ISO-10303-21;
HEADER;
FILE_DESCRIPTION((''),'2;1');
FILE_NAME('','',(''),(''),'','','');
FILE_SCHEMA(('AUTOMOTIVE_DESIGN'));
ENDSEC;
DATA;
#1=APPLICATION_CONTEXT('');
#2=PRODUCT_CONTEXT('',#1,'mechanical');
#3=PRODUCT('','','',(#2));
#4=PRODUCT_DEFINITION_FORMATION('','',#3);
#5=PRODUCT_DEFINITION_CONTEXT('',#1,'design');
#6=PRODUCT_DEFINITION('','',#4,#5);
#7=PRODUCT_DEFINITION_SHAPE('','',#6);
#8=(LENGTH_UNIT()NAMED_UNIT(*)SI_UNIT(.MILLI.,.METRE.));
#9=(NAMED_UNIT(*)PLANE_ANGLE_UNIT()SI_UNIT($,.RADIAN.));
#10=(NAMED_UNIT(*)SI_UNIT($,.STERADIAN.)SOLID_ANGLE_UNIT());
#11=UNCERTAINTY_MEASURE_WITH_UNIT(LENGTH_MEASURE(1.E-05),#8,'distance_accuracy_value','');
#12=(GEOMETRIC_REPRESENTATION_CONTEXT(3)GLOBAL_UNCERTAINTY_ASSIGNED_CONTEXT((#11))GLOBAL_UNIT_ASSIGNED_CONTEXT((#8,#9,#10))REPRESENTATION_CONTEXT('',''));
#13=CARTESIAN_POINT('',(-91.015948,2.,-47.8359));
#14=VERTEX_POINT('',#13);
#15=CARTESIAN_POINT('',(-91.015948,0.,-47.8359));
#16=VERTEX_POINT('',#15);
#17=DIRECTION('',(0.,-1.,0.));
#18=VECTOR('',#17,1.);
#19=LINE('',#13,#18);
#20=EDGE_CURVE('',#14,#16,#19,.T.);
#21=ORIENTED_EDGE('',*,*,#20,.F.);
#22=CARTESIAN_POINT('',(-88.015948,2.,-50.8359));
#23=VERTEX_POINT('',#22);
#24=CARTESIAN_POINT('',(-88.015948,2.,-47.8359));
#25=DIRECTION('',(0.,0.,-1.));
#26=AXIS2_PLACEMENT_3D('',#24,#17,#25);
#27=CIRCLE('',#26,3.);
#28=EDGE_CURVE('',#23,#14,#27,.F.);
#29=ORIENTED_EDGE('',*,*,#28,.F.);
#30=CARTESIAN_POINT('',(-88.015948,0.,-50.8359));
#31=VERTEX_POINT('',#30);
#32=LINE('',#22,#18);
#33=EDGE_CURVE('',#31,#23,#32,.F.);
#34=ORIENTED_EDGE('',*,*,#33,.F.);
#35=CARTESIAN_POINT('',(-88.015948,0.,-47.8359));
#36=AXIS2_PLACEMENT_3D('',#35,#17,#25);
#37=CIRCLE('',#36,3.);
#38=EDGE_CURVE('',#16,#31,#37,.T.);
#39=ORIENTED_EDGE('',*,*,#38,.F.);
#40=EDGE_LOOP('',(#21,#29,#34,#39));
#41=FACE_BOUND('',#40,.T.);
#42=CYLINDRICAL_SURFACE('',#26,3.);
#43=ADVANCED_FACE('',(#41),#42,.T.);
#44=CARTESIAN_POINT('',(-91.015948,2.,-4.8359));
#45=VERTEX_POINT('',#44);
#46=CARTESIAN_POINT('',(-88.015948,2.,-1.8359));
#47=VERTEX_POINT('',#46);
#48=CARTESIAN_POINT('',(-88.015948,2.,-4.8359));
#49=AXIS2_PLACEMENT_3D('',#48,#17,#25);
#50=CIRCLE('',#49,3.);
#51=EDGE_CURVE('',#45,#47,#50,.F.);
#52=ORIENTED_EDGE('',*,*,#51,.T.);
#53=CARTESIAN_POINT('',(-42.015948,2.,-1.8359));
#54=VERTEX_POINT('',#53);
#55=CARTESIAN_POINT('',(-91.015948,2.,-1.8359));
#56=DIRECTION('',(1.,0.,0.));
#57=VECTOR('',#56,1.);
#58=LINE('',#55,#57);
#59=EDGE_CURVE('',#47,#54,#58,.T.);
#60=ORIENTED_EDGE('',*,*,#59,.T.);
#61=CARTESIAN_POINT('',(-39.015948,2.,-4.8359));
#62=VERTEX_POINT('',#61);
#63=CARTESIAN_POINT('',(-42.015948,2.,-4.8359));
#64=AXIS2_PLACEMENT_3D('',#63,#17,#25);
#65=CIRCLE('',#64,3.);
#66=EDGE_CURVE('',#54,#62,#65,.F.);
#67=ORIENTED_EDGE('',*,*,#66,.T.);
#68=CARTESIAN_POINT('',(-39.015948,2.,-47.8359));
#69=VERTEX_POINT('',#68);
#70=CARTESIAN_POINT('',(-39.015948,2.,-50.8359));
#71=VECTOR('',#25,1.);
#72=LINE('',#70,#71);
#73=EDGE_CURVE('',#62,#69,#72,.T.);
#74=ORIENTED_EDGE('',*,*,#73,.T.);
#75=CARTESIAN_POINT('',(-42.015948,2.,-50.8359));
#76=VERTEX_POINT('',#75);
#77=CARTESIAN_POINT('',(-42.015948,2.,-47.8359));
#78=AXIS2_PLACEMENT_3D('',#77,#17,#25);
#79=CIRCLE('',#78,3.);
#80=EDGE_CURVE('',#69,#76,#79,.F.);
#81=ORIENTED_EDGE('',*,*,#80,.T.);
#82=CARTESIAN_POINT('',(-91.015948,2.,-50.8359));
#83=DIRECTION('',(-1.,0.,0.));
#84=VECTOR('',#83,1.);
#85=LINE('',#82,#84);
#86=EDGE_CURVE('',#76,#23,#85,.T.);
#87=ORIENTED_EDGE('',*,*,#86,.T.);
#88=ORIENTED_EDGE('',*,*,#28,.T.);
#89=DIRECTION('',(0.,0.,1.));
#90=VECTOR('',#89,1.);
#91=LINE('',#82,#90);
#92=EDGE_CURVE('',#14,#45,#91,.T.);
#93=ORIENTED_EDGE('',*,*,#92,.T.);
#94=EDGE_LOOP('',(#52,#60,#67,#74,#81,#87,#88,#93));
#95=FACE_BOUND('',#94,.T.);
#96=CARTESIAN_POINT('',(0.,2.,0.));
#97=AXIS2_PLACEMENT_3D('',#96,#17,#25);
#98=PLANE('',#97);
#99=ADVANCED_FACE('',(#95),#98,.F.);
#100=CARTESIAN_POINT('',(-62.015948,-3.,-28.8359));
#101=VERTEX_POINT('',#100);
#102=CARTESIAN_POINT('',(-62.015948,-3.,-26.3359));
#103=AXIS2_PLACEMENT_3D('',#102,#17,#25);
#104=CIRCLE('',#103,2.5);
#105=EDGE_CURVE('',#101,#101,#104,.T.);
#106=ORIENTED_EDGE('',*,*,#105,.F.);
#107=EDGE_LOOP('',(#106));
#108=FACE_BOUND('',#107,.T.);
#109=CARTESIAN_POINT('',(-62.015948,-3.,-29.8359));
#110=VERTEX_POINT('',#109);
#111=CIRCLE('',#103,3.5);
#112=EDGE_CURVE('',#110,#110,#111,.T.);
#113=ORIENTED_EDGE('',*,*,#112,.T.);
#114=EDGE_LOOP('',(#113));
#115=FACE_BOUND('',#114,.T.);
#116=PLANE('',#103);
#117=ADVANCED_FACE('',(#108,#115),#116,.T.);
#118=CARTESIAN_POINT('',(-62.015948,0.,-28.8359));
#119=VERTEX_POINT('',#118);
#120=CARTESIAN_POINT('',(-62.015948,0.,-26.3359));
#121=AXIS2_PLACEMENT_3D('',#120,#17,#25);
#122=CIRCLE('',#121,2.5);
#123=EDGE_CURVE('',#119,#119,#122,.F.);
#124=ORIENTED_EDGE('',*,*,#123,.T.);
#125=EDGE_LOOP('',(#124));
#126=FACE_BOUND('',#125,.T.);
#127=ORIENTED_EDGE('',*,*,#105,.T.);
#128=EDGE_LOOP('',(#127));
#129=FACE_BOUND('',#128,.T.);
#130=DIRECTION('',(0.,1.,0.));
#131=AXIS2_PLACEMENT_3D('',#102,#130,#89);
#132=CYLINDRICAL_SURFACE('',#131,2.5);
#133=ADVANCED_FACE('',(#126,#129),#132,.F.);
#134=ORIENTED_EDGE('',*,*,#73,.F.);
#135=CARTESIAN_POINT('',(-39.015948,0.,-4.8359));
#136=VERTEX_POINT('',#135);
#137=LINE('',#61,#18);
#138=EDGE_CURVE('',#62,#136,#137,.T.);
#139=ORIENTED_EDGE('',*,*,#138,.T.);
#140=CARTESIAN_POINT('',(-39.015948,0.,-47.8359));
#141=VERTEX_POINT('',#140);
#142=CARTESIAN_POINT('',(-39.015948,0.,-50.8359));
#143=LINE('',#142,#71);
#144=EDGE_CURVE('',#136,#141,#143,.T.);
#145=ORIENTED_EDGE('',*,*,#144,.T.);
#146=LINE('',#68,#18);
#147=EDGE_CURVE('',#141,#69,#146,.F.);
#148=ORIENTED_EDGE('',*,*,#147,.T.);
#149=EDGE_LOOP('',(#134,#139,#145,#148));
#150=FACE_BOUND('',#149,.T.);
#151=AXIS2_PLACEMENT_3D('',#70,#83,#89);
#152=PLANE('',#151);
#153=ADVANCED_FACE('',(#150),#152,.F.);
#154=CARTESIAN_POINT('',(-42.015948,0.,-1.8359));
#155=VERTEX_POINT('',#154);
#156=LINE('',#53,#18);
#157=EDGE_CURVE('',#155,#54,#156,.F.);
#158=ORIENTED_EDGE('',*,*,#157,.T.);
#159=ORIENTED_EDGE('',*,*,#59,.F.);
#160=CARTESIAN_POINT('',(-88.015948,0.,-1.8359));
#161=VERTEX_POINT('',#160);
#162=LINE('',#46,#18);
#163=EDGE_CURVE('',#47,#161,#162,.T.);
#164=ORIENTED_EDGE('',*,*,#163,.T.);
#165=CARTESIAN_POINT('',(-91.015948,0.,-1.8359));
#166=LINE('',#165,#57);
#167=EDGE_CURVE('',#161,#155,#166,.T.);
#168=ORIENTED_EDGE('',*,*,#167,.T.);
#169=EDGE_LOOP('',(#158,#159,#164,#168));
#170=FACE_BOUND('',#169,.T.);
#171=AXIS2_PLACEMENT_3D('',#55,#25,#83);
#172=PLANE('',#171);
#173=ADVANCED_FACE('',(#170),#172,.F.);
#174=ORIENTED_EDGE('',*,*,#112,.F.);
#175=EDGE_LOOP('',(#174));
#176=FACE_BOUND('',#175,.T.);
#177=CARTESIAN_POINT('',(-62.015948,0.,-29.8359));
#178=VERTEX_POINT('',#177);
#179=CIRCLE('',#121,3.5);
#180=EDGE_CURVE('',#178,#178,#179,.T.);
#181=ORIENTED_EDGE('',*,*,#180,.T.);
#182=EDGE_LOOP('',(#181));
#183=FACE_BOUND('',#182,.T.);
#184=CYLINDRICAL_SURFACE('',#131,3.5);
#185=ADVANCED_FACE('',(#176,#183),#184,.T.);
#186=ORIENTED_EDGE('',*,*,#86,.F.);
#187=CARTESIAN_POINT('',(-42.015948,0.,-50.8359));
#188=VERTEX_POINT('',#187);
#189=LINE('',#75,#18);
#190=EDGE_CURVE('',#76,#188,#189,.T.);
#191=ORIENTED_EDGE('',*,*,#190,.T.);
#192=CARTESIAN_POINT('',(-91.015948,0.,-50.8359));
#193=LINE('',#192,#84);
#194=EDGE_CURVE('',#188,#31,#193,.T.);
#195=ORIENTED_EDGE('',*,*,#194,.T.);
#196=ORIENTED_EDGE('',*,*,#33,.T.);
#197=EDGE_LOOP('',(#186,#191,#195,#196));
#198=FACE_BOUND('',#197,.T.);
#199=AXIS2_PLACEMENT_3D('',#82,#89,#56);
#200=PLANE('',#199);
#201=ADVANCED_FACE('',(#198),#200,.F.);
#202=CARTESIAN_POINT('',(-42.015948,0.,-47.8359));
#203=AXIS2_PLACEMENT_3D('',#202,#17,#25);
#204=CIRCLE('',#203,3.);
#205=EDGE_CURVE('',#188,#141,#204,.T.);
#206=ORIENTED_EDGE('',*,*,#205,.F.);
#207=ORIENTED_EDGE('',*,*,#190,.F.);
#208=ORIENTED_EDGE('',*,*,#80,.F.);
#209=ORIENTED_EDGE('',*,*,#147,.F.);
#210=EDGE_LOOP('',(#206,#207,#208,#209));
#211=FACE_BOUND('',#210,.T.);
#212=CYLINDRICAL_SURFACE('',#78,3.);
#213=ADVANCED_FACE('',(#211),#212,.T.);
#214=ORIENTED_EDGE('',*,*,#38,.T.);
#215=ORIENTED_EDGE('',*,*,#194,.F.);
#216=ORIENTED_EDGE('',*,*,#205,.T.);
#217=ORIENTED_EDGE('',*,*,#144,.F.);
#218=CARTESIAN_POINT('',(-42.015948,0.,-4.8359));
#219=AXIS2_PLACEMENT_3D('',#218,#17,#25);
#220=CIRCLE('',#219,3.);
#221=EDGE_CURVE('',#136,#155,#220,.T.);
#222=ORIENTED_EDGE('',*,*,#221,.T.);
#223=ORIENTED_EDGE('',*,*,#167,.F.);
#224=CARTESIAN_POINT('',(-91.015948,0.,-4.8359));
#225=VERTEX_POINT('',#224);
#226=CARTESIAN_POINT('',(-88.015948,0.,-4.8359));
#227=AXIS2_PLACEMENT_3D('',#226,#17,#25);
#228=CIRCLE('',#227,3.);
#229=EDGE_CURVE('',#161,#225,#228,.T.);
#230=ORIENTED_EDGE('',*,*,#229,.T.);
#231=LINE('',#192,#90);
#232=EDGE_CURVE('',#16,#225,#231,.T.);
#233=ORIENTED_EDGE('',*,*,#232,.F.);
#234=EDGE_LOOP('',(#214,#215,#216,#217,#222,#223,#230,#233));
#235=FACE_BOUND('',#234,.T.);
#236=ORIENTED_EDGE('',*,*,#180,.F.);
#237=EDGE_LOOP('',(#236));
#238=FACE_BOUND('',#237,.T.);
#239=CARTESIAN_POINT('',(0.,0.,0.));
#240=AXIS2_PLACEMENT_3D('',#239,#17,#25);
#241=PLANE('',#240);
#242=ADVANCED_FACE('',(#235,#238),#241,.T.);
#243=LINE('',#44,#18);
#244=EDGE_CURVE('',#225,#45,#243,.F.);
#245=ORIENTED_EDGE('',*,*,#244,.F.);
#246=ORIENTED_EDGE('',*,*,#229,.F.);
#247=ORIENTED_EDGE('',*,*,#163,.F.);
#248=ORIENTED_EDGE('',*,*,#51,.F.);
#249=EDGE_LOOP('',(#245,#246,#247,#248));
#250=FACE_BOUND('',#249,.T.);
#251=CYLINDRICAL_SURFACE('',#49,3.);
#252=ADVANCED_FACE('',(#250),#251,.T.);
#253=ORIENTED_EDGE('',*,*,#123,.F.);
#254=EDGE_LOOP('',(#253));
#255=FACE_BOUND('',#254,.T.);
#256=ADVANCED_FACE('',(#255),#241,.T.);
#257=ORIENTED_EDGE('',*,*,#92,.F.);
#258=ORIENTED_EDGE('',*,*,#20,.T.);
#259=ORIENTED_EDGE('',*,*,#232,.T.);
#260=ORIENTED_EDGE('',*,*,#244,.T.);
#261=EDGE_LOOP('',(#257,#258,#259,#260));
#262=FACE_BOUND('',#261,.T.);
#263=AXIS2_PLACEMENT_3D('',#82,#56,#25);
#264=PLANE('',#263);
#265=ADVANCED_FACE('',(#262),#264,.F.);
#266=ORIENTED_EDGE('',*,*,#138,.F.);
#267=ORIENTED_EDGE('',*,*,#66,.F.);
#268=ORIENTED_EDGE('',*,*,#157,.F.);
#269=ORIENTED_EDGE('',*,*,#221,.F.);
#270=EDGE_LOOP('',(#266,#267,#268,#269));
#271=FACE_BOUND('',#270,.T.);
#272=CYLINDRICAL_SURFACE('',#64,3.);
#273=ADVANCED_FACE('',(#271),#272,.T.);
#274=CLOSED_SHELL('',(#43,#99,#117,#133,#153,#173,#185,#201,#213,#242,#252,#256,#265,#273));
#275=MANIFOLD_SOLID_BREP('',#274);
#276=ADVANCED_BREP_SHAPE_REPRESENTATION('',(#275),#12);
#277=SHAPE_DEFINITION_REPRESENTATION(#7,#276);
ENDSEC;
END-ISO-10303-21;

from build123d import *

# Parameters (mm, degrees)
SKETCH3_W           = 52
SKETCH3_H           = 49
BOSS_EXTRUDE3_DEPTH = 2
SKETCH5_R           = 3.5
SKETCH5_R_2         = 2.5
BOSS_EXTRUDE5_DEPTH = 3
FILLET1_R           = 3


with BuildPart() as part:
    # Sketch3 → Boss-Extrude3 (new body)
    with BuildSketch(Plane(origin=(0, 0, 0), x_dir=(1, 0, 0), z_dir=(0, 1, 0))):
        with Locations((-65.015948434, 26.335900173)):
            Rectangle(SKETCH3_W, SKETCH3_H)
    extrude(amount=BOSS_EXTRUDE3_DEPTH)

    # Sketch5 → Boss-Extrude5 (add)
    with BuildSketch(Plane.XZ):
        with Locations(Location((-62.015948434, -26.335900173, 0), (0, 0, 270))):
            Circle(SKETCH5_R)
        with Locations(Location((-62.015948434, -26.335900173, 0), (0, 0, 270))):
            Circle(SKETCH5_R_2, mode=Mode.SUBTRACT)
    extrude(amount=BOSS_EXTRUDE5_DEPTH)

    # Fillet1
    fillet1_edges = [part.edges().sort_by_distance(p)[0] for p in [
        (-39.015948434, 1, -50.835900173),
        (-39.015948434, 1, -1.835900173),
        (-91.015948434, 1, -1.835900173),
        (-91.015948434, 1, -50.835900173),
    ]]
    fillet(fillet1_edges, radius=FILLET1_R)


solid = part.part
